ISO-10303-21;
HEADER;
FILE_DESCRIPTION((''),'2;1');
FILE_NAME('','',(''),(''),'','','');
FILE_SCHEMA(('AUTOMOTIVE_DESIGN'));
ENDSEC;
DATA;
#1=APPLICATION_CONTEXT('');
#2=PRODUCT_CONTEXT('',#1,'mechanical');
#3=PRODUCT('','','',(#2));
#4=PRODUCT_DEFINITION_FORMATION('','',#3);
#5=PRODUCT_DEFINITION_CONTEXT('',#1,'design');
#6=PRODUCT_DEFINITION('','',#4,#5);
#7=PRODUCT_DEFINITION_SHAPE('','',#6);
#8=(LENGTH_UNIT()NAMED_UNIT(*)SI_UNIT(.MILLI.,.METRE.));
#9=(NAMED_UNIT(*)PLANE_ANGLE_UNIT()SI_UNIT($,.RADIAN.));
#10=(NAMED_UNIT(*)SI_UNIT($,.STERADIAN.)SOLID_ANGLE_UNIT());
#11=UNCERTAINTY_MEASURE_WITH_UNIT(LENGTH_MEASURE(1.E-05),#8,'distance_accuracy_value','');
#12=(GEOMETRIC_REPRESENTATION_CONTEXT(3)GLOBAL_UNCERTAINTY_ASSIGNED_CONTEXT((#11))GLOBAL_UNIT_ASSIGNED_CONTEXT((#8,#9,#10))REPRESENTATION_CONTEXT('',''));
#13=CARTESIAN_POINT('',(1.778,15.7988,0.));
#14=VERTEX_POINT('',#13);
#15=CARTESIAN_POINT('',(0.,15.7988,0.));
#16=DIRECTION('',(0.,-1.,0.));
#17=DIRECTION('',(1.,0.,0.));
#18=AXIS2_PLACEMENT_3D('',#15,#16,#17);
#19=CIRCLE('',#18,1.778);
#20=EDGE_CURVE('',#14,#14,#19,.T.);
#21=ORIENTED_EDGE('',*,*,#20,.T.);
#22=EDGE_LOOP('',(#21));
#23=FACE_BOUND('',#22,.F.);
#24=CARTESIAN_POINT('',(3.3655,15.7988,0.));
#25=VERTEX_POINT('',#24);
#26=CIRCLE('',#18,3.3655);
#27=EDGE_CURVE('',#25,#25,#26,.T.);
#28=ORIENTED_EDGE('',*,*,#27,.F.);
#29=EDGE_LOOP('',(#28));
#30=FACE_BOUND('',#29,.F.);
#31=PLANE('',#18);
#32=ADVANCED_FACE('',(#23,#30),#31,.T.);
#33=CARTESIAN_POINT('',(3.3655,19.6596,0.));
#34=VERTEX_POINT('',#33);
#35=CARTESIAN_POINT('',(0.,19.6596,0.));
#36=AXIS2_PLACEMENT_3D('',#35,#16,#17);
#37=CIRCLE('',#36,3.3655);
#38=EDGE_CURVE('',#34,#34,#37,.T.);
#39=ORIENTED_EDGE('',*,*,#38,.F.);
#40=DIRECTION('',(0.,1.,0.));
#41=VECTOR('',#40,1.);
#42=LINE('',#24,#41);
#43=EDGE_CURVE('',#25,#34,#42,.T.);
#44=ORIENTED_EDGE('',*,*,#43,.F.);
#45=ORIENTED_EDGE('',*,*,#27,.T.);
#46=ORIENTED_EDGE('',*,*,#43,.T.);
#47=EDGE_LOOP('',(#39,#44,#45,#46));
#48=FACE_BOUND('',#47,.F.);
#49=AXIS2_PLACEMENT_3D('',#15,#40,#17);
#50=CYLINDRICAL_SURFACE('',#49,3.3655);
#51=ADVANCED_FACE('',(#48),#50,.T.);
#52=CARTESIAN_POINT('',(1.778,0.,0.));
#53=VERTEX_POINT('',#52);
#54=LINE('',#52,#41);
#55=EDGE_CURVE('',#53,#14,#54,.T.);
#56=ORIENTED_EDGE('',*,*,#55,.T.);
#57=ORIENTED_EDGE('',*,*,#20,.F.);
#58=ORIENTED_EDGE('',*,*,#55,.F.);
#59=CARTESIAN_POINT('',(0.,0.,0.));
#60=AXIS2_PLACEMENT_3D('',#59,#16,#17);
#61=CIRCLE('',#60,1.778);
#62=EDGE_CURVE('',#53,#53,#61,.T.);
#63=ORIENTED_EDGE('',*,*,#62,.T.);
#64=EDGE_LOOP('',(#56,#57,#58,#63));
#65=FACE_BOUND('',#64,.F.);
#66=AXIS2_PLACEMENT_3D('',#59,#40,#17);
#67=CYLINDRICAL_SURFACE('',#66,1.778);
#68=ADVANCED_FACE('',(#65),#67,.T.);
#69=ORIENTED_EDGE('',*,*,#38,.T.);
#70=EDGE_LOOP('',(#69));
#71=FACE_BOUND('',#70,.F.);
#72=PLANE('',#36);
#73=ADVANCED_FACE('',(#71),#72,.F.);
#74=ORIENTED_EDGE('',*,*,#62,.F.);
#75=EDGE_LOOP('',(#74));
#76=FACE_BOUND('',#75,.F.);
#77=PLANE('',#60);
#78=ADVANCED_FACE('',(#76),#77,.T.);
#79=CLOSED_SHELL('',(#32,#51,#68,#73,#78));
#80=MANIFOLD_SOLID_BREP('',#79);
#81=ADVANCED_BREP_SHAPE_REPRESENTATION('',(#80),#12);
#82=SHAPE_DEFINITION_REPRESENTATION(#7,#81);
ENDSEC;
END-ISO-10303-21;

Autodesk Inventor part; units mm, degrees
ref_plane "YZ Plane" through (0, 0, 0) normal (1, 0, 0) x (0, 1, 0)
ref_plane "XZ Plane" through (0, 0, 0) normal (0, 1, 0) x (-1, 0, 0)
ref_plane "XY Plane" through (0, 0, 0) normal (0, 0, 1) x (1, 0, 0)
sketch "Sketch1" plane through (0, 0, 0) normal (0, 0, 1) x (1, 0, 0)
  line L0 (0, 0) -> (1.778, 0)
  line L1 (1.778, 0) -> (1.778, 15.7988)
  line L2 (1.778, 15.7988) -> (3.3655, 15.7988)
  line L3 (3.3655, 15.7988) -> (3.3655, 19.6596)
  line L4 (3.3655, 19.6596) -> (0, 19.6596)
  line L5 (0, 19.6596) -> (0, 0)
  dimension "d1" = 6.731
  dimension "d2" = 3.556
  dimension "d3" = 3.8608
  dimension "d4" = 15.7988
revolve "Revolution1" add sketch "Sketch1" angle 360 about axis through (0, 19.6596, 0) along (0, -1, 0)
properties part number "Screw BIG 3"
